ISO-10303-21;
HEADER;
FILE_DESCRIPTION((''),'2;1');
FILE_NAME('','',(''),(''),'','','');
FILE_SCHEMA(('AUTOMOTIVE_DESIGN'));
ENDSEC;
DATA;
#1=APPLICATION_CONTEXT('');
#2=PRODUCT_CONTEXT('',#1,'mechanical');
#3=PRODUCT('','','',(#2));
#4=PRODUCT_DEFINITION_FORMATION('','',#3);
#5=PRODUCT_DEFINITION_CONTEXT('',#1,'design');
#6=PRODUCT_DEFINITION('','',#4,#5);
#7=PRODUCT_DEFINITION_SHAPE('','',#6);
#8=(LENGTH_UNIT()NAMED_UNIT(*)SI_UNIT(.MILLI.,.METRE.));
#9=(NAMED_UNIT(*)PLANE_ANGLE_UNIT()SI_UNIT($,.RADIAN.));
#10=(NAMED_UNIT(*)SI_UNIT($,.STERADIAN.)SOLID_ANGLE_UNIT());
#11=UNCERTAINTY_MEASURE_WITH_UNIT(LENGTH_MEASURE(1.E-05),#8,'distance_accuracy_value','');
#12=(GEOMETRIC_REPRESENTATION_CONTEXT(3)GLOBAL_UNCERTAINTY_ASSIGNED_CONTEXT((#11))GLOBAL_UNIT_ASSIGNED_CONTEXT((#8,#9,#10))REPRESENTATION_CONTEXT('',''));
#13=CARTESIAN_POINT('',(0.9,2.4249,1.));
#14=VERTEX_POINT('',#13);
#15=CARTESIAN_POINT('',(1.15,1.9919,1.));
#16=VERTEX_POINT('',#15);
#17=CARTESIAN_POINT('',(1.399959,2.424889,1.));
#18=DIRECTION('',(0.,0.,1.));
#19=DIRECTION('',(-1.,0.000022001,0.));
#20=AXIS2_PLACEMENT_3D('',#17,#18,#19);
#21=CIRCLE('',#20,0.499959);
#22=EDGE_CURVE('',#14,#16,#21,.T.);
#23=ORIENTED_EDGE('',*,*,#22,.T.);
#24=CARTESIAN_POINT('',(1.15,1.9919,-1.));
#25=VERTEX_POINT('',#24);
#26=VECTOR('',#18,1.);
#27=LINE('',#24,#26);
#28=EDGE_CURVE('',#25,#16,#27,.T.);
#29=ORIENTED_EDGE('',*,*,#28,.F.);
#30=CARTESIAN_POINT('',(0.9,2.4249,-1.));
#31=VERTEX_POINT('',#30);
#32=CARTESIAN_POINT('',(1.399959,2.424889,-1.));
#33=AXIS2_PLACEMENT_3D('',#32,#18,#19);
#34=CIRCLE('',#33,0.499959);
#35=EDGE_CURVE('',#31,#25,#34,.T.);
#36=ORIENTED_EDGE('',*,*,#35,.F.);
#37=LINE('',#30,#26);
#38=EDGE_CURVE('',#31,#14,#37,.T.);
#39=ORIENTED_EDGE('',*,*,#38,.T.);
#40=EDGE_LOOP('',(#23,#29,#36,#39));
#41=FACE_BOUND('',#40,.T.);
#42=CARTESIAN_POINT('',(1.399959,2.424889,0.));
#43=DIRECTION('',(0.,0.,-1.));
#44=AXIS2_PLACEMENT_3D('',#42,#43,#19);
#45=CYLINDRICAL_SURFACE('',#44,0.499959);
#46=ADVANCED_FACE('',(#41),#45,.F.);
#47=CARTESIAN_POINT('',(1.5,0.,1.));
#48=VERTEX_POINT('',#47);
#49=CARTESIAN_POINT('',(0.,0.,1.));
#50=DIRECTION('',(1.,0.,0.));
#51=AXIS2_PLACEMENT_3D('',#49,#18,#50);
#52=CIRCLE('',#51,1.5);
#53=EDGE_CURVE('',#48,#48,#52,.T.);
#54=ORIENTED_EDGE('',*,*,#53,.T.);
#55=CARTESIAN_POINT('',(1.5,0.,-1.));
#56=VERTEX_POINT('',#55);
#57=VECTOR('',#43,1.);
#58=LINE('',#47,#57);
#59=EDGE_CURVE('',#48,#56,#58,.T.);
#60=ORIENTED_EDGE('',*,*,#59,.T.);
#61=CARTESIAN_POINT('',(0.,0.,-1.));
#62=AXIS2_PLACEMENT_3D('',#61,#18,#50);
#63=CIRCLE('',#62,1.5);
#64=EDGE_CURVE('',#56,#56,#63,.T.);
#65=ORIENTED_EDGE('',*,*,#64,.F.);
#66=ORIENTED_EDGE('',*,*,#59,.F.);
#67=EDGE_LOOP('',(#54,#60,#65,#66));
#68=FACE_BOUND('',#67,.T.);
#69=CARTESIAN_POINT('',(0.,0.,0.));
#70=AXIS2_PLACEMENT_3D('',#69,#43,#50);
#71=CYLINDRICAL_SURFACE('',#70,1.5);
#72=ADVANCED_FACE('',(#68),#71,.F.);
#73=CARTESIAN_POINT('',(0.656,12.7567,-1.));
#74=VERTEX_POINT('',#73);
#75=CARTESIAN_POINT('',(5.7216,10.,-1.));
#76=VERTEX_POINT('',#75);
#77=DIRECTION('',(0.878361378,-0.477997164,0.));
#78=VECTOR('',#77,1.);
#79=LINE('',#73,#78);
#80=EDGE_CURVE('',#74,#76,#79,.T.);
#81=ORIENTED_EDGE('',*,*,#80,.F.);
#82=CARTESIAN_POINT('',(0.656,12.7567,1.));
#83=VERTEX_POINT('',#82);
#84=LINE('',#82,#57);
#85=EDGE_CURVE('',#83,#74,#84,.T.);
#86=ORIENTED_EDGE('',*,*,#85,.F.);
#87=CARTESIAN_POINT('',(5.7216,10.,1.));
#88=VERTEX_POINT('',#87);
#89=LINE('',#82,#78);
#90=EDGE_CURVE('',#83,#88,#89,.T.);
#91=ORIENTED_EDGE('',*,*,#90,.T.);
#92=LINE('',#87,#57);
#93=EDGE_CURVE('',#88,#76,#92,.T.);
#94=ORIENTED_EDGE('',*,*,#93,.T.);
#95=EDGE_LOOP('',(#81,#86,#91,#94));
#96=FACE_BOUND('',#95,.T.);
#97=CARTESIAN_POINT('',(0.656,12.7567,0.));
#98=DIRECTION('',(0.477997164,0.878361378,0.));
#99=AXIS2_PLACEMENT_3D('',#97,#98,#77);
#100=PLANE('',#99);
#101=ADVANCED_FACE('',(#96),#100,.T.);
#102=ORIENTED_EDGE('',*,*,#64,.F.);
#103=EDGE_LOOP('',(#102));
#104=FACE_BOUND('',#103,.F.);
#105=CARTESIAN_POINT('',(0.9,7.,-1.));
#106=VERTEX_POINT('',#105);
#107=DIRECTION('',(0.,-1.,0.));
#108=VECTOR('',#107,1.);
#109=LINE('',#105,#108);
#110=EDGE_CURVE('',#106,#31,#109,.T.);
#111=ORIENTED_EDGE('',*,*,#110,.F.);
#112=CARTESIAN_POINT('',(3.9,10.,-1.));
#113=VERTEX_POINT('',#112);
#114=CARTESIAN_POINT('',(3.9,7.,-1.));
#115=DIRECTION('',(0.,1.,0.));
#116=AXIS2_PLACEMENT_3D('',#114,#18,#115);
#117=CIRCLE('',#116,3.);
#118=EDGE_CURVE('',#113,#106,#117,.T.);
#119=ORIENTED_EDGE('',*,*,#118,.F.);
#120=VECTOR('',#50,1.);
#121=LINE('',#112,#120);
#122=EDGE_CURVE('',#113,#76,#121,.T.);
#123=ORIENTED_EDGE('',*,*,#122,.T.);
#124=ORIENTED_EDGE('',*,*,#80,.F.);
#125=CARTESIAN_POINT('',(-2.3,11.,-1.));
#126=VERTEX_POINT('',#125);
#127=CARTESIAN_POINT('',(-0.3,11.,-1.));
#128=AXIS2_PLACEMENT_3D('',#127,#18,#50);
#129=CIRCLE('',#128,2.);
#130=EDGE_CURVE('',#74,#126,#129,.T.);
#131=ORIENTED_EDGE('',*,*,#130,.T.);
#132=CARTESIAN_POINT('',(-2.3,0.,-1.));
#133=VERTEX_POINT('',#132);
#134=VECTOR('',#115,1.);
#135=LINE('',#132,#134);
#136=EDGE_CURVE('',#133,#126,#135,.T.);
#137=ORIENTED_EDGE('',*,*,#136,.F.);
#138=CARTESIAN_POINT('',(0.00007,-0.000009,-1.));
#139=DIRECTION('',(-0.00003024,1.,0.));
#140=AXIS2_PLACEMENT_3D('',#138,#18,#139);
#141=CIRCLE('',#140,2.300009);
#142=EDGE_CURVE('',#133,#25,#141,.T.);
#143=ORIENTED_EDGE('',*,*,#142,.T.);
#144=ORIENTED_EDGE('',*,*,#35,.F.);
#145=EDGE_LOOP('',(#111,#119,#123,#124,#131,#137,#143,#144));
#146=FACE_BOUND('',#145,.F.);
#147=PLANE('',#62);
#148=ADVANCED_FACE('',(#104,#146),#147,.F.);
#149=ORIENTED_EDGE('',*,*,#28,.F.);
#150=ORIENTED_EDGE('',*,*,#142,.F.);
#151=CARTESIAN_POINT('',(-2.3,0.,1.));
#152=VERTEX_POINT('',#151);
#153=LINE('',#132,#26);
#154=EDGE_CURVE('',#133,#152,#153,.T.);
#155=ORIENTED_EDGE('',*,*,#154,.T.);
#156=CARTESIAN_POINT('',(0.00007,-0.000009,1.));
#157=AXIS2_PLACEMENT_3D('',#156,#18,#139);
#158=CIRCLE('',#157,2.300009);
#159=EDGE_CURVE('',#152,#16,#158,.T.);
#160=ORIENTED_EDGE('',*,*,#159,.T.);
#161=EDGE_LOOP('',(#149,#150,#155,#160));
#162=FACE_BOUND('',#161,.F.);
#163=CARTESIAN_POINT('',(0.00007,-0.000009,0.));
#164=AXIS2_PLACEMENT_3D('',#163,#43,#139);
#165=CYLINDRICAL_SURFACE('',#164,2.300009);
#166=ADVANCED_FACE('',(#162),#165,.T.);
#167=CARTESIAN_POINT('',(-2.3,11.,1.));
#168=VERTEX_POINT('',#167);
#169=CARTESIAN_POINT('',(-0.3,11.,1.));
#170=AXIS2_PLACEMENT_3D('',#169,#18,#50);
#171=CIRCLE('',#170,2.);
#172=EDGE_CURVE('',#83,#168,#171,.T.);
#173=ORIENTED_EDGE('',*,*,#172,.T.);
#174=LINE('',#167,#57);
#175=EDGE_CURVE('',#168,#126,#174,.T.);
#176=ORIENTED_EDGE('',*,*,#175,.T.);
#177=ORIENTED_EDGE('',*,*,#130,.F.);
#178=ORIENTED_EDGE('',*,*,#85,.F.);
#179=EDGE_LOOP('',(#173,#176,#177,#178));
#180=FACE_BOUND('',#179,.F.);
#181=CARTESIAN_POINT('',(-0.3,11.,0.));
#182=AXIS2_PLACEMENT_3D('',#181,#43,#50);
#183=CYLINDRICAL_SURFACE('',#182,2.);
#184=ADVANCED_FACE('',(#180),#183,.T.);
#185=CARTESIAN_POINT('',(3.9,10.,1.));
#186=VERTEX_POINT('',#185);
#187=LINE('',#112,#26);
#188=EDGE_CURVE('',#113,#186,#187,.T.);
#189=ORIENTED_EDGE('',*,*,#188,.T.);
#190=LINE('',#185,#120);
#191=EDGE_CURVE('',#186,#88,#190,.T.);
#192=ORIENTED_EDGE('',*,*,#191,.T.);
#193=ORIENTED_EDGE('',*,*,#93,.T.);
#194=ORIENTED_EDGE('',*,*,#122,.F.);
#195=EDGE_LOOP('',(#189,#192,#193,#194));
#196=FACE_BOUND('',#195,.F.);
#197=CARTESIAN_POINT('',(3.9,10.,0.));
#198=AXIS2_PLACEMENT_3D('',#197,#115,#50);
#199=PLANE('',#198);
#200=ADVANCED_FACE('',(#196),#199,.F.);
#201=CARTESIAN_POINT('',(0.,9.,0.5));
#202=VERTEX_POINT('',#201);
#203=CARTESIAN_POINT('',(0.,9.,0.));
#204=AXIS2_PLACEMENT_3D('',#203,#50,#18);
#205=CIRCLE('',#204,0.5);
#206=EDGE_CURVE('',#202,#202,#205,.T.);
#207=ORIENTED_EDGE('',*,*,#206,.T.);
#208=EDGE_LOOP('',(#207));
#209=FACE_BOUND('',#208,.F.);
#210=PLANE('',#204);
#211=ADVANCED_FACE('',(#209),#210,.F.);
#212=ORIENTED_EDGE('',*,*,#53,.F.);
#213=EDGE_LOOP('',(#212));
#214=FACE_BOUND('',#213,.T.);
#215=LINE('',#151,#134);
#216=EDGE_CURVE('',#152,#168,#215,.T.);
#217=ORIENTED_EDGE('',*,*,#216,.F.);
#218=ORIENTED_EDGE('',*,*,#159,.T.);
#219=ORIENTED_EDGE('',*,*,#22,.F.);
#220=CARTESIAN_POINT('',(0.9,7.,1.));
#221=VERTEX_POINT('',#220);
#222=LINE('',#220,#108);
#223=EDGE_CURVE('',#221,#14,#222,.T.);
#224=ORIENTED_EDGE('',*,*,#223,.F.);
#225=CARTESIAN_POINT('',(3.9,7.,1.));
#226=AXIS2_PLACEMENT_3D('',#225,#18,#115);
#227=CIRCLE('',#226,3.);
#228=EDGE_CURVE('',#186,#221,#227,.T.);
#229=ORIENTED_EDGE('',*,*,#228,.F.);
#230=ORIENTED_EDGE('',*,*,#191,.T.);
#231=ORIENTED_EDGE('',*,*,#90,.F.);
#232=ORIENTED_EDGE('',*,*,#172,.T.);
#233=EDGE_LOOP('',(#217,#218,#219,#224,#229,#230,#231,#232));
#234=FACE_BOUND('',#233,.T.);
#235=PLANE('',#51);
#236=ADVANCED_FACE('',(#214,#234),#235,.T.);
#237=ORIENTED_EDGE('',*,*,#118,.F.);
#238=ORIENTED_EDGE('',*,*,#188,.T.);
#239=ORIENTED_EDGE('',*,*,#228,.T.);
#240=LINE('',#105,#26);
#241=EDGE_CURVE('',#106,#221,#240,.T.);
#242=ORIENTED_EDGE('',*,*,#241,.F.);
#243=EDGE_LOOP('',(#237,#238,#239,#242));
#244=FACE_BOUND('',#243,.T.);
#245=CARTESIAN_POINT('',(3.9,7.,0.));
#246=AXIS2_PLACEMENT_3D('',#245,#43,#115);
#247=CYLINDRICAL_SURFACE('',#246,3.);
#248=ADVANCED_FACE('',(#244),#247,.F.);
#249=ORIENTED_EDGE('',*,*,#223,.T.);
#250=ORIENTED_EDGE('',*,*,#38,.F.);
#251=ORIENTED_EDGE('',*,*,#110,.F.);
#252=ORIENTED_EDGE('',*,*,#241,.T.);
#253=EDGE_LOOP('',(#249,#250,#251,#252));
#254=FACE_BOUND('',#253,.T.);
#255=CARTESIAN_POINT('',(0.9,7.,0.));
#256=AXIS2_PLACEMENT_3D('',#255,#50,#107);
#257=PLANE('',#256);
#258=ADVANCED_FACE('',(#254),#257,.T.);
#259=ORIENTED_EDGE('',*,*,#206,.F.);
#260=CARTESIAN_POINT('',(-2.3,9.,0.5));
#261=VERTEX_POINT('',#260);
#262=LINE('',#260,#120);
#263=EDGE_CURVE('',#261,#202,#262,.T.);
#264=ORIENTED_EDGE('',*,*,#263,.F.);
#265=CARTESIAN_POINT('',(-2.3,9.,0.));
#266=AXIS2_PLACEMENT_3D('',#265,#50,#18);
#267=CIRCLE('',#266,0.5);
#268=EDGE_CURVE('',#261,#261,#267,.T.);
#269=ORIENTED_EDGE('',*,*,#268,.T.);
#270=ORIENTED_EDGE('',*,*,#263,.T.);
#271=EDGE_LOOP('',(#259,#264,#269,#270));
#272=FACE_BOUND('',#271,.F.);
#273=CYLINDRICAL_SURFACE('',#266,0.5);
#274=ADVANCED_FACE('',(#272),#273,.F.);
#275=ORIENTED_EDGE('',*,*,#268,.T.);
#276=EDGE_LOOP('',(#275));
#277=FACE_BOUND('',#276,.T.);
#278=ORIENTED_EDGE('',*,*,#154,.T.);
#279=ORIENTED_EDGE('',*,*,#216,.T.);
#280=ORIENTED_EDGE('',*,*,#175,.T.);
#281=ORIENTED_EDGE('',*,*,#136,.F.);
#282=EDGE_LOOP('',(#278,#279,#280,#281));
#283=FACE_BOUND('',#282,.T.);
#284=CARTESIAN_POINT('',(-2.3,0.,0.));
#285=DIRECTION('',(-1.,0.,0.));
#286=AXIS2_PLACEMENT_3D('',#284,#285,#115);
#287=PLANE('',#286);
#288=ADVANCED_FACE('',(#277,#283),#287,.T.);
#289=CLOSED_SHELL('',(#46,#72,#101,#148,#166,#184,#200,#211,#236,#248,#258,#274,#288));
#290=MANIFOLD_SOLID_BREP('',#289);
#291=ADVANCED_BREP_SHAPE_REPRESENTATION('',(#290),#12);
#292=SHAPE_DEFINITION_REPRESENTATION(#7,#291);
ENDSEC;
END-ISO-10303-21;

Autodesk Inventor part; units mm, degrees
ref_plane "YZ Plane" through (0, 0, 0) normal (1, 0, 0) x (0, 1, 0)
ref_plane "XZ Plane" through (0, 0, 0) normal (0, 1, 0) x (-1, 0, 0)
ref_plane "XY Plane" through (0, 0, 0) normal (0, 0, 1) x (1, 0, 0)
sketch "Boceto1" plane through (0, 0, 0) normal (0, 0, 1) x (1, 0, 0)
  circle A0 centre (0, 0) radius 1.5
  arc A1 (0, 2.3) -> (1.15, 1.9919) centre (0, 0) ccw
  line L0 (-2.3, 0) -> (-2.3, 11)
  line L1 (0, -2.3) -> (0, 17.0308) construction
  circle A2 centre (-0.3, 11) radius 2
  line L2 (0.9, 7) -> (0.9, 2.4249)
  line L3 (-6.6108, 0) -> (6.6108, 0) construction
  arc A3 (3.9, 10) -> (0.9, 7) centre (3.9, 7) ccw
  line L4 (-2.4885, 11) -> (5.8935, 11) construction
  line L5 (0.8529, 10) -> (0.9, 10)
  line L6 (3.9, 10) -> (5.7216, 10)
  line L7 (0.656, 12.7567) -> (5.7248, 9.9983)
  arc A4 (0.9, 2.4249) -> (1.15, 1.9919) centre (1.4, 2.4249) ccw
  point P0 (0.9, 2.1166)
  dimension "d3" = 4
  dimension "d0" = 2.3
  dimension "d1" = 3
  dimension "d2" = 11
  dimension "d5" = 3.2
  dimension "d6" = 6
  dimension "d7" = 11
  dimension "d9" = 10
  dimension "d21" = 1
extrude "Extrusión1" add sketch "Boceto1" along normal mid plane 2
sketch "Boceto2" plane through (-2.3, 0, 1) normal (-1, 0, 0) x (0, 0, 1)
  line L0 (-1, 0) -> (-1, 11) construction
  line L1 (-2, 11) -> (0, 11) projected
  line L2 (-2, 0) -> (0, 0) projected
  line L3 (0, 11) -> (0, 0) projected
  line L4 (-2, 11) -> (0, 11) projected
  line L5 (-2, 0) -> (-2, 11) projected
  circle A0 centre (-1, 9) radius 0.5
  dimension "d12" = 1
  dimension "d13" = 9
hole "Agujero1" at (-2.3, 9, 0) direction (1, 0, 0) diameter 1 depth 2.3
properties part number "Hudson 1-62D"
